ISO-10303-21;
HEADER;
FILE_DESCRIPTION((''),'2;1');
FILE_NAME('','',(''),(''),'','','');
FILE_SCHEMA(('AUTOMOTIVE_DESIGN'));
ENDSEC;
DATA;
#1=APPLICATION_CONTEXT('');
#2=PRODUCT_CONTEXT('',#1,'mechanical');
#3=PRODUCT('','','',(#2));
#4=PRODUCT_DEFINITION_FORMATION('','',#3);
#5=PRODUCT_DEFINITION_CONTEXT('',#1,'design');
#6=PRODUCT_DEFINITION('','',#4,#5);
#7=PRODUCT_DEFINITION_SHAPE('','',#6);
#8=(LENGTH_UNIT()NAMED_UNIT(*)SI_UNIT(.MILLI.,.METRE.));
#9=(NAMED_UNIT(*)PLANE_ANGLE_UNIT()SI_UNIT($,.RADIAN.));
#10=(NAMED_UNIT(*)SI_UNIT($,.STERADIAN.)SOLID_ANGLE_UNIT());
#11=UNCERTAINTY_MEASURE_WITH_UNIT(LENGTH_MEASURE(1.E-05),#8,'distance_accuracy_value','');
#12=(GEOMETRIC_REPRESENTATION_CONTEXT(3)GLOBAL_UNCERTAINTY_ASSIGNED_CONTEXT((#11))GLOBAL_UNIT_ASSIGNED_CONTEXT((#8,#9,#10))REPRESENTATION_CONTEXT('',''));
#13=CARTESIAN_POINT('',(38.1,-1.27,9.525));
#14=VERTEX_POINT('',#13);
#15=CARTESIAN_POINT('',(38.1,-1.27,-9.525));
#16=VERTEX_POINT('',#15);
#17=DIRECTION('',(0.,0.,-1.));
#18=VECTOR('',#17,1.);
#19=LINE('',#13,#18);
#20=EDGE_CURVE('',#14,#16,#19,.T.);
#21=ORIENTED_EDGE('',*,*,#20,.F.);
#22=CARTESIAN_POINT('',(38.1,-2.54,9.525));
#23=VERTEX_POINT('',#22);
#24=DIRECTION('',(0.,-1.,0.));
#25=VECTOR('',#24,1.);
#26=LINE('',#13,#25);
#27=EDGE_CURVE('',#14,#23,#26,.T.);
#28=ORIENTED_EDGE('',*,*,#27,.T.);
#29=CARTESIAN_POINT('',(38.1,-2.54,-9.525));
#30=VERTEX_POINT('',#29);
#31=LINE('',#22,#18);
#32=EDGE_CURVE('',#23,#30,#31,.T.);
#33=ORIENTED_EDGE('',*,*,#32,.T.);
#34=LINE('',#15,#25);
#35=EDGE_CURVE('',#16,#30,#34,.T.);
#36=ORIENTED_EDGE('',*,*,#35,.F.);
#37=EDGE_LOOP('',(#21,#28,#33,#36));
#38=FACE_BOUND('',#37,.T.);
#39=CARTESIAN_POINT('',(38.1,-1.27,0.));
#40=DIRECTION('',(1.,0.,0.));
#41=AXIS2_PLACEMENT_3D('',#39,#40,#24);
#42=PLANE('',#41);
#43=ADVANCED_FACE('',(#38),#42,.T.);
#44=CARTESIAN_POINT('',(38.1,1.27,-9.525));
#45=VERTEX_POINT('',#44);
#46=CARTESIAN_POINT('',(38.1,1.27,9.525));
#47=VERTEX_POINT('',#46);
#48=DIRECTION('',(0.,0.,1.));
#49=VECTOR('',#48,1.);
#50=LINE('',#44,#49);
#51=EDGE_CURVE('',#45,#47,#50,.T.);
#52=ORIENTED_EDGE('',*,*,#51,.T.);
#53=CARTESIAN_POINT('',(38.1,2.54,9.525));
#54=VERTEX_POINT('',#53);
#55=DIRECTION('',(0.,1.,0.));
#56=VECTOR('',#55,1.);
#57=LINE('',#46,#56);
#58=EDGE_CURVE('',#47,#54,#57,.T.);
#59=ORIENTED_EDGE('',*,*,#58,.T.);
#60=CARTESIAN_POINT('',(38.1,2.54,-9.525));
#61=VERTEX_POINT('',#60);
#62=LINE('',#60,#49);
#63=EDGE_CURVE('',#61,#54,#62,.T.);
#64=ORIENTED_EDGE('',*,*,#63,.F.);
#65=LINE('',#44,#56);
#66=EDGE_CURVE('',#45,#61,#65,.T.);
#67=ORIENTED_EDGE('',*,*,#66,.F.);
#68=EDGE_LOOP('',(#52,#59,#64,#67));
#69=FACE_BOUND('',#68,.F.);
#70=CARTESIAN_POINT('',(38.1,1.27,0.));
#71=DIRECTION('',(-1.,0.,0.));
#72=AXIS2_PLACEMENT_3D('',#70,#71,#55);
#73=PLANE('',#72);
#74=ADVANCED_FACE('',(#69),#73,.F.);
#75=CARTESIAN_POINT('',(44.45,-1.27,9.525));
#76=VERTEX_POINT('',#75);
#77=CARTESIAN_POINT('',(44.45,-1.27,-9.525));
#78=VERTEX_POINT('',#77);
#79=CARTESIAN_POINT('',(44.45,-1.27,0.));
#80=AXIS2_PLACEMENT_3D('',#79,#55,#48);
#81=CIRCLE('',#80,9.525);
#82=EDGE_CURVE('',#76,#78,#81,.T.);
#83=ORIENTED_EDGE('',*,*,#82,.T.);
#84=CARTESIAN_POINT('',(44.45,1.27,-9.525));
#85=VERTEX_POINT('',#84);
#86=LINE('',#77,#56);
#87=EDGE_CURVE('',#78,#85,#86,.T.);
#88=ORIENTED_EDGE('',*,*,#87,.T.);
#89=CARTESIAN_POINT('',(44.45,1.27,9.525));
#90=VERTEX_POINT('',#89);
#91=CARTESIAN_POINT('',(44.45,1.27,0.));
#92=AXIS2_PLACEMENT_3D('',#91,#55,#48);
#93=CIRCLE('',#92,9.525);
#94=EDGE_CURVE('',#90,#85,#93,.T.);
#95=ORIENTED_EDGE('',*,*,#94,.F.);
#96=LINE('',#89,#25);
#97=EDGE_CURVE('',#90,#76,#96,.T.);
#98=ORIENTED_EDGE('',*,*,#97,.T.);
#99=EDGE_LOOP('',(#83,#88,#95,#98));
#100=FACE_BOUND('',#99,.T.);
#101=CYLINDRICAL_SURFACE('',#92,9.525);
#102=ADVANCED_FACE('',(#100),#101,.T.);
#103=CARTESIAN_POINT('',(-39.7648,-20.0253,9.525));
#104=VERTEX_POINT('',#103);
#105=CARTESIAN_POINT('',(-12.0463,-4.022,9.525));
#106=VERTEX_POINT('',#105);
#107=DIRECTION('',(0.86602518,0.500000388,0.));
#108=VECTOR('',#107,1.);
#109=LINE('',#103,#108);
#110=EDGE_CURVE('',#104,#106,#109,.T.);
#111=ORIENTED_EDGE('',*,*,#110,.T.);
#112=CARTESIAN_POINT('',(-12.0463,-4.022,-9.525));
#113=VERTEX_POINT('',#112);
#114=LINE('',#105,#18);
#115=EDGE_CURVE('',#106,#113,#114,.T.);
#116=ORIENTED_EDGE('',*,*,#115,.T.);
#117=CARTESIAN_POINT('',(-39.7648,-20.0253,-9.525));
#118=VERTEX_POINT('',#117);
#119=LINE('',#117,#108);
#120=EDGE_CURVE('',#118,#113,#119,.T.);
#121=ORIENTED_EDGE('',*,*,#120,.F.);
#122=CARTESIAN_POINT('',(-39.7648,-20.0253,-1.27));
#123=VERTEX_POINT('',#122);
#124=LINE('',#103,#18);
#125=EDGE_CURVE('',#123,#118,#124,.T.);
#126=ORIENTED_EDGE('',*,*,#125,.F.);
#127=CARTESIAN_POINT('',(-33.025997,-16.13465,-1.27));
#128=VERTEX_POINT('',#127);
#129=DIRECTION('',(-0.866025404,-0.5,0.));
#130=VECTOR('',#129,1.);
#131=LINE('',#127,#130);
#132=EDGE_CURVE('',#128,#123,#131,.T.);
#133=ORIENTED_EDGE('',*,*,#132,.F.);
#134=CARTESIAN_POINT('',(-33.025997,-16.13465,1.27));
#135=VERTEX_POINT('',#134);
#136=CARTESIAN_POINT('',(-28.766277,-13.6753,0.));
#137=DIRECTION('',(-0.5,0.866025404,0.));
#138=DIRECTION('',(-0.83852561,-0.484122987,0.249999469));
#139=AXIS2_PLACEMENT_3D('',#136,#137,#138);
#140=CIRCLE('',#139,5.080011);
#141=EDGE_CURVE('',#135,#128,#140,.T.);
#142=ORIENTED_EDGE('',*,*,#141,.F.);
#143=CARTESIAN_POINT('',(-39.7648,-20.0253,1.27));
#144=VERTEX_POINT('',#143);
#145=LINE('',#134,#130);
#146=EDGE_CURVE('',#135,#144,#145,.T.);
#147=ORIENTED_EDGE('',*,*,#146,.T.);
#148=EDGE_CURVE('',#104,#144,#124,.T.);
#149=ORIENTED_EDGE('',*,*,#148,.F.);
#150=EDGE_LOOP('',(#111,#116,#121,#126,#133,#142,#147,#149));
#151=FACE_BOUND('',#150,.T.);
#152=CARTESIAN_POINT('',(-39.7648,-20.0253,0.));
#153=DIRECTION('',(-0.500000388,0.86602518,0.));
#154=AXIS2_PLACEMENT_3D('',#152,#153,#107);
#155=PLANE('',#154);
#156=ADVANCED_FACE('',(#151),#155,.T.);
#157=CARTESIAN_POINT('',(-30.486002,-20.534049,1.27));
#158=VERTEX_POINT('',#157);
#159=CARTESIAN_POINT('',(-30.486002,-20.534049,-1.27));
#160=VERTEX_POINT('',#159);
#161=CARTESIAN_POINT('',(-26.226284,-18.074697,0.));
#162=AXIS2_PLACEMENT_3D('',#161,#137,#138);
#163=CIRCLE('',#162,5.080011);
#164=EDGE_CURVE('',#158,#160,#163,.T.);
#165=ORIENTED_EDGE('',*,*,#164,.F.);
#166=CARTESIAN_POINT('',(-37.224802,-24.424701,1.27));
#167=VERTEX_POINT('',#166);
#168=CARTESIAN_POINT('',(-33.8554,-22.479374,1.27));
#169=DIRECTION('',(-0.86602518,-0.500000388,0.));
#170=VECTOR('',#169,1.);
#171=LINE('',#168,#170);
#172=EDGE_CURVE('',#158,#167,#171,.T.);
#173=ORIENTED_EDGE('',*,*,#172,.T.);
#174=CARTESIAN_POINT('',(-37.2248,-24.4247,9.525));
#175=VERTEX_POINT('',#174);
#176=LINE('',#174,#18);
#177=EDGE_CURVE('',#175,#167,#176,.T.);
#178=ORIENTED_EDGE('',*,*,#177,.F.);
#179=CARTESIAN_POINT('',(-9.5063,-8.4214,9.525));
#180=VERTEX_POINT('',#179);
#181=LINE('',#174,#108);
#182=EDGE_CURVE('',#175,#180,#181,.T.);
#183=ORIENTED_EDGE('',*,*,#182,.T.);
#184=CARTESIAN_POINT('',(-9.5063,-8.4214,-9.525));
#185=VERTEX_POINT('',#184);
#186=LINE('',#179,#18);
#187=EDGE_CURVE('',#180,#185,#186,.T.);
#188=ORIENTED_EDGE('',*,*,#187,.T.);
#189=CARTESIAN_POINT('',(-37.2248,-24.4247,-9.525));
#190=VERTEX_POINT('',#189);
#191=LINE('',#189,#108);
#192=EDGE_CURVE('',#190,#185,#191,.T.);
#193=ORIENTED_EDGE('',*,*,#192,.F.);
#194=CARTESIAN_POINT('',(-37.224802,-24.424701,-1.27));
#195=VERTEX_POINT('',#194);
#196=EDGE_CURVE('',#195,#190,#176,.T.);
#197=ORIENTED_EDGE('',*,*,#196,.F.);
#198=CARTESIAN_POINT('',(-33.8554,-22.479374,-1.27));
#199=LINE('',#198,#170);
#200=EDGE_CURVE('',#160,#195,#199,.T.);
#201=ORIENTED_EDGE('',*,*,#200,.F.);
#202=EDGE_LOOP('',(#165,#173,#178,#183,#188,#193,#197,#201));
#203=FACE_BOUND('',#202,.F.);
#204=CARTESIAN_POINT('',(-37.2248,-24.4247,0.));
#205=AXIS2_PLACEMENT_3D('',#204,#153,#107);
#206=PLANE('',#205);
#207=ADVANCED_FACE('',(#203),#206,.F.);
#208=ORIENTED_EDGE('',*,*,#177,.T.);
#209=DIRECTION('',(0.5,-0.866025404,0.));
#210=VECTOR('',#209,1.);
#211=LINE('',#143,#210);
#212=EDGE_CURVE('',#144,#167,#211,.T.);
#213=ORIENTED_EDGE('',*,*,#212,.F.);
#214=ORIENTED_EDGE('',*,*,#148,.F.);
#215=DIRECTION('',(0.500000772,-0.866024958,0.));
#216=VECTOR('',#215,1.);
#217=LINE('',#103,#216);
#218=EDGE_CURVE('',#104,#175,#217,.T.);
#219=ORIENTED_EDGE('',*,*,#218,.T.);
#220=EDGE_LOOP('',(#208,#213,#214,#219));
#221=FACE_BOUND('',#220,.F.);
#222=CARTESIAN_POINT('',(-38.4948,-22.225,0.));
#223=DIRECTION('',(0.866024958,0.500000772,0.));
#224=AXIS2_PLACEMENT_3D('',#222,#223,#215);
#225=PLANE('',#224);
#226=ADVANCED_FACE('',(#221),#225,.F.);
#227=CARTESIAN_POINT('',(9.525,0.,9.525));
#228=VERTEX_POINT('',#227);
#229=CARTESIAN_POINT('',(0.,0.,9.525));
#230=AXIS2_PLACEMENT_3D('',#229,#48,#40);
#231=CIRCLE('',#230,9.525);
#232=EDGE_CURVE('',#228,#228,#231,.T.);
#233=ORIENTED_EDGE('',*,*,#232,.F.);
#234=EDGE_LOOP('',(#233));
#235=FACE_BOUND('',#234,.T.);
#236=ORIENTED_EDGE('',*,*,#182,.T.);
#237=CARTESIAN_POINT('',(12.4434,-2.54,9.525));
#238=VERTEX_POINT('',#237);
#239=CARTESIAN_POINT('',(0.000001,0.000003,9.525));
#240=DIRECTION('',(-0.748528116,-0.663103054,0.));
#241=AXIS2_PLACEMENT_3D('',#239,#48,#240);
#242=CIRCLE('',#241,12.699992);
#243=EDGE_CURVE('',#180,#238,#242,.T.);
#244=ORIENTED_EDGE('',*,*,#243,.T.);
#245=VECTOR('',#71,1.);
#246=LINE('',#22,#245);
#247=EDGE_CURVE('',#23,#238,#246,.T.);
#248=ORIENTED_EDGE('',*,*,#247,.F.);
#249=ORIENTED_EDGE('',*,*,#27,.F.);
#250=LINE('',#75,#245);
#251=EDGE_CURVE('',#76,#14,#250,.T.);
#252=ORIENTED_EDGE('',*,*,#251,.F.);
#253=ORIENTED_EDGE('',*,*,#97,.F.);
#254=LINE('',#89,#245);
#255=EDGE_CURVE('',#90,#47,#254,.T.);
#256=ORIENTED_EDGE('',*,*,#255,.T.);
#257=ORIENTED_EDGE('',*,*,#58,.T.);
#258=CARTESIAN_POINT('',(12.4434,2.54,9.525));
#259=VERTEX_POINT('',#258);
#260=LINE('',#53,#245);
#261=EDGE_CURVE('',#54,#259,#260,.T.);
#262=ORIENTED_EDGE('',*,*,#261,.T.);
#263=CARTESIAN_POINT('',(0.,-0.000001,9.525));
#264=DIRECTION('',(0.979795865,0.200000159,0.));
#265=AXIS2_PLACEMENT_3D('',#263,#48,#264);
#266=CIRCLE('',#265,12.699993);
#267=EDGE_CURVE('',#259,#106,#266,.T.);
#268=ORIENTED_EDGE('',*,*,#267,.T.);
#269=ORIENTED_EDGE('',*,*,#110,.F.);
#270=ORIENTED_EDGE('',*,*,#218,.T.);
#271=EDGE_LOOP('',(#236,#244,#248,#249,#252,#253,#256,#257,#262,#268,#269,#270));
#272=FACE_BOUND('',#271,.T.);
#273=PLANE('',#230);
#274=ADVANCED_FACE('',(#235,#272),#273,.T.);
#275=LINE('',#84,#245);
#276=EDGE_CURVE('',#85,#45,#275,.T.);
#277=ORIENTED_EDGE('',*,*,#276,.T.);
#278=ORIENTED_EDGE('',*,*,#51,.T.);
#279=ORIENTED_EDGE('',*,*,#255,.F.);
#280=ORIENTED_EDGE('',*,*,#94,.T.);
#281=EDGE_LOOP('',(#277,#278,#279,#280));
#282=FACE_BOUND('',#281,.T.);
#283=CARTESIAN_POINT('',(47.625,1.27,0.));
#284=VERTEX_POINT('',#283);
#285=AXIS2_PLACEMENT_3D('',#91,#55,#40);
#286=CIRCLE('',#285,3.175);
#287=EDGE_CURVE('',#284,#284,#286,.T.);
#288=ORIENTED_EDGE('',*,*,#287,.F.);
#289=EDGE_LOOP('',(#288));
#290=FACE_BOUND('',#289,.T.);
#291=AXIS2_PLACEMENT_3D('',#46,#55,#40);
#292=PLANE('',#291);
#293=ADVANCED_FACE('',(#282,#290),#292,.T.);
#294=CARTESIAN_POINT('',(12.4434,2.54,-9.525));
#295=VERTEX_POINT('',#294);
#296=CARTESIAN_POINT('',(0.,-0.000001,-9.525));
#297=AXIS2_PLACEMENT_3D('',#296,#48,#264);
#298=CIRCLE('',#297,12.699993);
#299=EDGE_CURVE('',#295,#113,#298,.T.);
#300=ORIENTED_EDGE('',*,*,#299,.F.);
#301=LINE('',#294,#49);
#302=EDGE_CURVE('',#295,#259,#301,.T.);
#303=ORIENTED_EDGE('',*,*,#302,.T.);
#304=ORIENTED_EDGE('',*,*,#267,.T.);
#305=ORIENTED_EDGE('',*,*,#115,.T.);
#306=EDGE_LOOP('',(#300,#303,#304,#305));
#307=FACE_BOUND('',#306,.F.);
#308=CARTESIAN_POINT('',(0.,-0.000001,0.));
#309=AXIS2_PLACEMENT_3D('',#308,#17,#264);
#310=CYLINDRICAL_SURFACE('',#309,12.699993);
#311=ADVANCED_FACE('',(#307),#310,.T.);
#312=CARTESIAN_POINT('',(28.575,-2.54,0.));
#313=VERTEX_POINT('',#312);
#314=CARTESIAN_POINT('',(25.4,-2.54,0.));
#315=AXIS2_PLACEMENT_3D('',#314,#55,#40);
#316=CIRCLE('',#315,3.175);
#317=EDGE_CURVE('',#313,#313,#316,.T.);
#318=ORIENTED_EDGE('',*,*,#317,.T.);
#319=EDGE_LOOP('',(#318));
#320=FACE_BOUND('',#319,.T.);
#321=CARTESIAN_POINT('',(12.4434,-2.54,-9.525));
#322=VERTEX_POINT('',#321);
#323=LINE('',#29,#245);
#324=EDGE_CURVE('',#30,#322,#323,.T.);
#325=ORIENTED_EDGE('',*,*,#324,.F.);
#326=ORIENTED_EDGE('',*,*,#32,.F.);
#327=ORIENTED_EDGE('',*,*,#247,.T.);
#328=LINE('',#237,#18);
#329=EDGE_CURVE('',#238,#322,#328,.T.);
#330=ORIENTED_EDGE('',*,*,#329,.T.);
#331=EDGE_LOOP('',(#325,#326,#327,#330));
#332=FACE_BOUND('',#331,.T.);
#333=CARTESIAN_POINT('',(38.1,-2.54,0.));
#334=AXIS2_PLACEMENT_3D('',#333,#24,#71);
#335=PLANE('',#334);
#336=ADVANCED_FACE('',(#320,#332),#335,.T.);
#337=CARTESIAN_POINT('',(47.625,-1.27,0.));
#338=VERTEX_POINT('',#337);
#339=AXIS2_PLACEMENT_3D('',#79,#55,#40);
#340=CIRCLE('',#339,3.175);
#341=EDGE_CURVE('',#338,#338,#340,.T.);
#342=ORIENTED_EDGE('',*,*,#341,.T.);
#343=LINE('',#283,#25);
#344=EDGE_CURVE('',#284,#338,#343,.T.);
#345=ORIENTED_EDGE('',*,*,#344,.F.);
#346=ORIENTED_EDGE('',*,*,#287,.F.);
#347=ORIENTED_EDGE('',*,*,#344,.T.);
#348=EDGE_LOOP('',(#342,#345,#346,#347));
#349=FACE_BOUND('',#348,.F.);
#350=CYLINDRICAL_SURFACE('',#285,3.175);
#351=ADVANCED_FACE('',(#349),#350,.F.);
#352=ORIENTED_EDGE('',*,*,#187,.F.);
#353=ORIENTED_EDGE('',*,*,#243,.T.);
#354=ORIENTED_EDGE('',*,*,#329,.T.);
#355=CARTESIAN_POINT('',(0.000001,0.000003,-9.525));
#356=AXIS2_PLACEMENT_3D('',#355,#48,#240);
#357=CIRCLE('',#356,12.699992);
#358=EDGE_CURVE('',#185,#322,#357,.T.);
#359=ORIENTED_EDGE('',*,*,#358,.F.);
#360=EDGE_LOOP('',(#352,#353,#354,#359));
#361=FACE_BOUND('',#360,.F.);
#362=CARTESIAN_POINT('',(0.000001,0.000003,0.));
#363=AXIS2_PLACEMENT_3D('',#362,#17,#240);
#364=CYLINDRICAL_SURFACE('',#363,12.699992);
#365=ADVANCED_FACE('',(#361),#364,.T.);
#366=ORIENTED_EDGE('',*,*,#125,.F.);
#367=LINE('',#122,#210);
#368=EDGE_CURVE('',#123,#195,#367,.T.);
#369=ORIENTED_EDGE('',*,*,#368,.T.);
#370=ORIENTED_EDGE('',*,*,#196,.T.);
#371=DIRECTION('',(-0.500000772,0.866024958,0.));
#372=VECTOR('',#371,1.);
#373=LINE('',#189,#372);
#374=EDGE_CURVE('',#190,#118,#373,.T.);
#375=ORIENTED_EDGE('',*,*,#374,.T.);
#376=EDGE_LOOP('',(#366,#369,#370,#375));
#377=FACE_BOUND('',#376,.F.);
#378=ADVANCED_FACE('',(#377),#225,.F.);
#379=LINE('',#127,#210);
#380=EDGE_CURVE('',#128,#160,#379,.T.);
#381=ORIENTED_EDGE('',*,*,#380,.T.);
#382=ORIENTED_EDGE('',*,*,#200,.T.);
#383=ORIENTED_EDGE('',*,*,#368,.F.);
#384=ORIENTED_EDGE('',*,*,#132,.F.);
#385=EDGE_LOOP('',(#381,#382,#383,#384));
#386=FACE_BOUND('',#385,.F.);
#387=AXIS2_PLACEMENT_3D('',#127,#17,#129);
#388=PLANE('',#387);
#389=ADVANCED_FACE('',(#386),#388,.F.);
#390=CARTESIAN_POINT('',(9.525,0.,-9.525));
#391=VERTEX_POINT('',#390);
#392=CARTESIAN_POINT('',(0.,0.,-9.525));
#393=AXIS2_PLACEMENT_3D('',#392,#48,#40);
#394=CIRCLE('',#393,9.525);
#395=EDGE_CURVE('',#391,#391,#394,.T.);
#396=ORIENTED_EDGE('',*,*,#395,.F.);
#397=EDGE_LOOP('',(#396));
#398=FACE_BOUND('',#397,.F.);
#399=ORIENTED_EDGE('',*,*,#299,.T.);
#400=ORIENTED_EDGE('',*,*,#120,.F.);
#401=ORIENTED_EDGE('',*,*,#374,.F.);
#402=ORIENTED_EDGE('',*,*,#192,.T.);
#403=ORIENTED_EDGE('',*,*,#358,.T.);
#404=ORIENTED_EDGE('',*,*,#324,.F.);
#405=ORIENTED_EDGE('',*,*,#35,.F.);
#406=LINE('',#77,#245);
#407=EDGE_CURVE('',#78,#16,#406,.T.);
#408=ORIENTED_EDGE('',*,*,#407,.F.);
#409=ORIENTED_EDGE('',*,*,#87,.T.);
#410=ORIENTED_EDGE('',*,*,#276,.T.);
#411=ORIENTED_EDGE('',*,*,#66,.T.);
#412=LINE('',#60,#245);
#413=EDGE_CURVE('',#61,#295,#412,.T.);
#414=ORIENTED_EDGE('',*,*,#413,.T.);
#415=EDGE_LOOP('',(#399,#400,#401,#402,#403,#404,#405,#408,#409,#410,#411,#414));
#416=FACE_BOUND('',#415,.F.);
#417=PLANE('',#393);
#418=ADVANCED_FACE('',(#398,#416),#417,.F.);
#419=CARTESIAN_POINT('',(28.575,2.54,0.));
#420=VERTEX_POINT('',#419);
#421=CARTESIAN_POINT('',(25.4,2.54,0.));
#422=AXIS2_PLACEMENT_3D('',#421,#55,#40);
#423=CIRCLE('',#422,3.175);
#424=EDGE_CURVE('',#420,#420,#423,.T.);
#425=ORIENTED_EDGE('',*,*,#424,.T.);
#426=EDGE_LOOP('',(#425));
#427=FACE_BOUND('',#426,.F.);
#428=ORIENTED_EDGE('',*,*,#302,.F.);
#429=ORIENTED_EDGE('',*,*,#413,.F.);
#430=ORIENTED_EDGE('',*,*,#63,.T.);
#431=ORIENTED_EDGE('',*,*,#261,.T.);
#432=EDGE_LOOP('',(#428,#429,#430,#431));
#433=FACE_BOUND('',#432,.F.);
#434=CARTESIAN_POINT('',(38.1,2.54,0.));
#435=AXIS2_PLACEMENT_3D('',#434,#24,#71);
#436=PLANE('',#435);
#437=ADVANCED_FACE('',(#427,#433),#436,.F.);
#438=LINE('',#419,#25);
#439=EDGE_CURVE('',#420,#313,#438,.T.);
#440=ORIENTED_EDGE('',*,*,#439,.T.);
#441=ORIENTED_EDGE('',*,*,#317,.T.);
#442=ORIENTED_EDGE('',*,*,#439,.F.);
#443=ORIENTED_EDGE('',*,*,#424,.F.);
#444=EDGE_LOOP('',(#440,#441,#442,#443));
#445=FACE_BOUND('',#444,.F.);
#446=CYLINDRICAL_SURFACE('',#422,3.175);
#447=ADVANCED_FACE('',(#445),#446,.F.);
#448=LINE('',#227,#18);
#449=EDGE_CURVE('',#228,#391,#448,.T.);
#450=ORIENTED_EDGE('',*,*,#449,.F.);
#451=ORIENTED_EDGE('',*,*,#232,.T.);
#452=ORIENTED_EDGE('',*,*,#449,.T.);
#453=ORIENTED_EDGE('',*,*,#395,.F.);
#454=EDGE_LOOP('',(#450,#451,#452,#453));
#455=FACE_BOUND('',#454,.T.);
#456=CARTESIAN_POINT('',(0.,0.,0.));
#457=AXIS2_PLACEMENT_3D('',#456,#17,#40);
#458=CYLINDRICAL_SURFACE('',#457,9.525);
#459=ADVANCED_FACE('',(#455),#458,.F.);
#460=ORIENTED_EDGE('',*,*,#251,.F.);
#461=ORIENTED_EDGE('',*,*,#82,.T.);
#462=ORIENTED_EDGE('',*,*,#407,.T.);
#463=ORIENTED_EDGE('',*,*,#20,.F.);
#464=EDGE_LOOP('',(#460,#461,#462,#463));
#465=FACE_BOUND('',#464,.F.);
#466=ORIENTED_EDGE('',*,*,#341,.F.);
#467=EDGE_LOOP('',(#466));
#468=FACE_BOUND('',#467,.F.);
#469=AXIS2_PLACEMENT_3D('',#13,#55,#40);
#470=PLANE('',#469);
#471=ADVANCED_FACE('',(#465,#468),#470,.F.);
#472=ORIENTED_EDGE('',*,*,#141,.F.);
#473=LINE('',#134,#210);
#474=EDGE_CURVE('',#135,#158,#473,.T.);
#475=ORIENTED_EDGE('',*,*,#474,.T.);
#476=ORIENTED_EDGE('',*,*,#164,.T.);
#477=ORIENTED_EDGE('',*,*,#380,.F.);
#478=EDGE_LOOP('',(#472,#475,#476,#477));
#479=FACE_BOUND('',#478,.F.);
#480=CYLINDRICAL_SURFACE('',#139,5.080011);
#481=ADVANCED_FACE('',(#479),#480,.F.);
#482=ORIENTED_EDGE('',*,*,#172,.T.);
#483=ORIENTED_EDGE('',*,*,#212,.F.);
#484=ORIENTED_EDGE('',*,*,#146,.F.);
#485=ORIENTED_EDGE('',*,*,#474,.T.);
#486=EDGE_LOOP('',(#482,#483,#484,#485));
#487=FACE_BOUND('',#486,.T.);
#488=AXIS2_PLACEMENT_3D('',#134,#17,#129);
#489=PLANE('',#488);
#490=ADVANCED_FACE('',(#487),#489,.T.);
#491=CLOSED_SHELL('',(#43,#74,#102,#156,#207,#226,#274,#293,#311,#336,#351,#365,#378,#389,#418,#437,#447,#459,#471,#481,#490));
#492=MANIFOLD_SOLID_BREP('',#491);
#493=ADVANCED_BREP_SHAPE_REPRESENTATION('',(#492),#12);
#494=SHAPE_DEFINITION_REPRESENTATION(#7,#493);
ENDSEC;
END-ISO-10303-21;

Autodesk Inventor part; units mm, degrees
ref_plane "YZ Plane" through (0, 0, 0) normal (1, 0, 0) x (0, 1, 0)
ref_plane "XZ Plane" through (0, 0, 0) normal (0, 1, 0) x (-1, 0, 0)
ref_plane "XY Plane" through (0, 0, 0) normal (0, 0, 1) x (1, 0, 0)
sketch "Sketch1" plane through (0, 0, 0) normal (0, 0, 1) x (1, 0, 0)
  circle A0 centre (0, 0) radius 9.525
  line L0 (38.1, 1.27) -> (38.1, 2.54)
  line L1 (38.1, -1.27) -> (38.1, -2.54)
  line L2 (38.1, -2.54) -> (12.4434, -2.54)
  line L3 (38.1, 2.54) -> (12.4434, 2.54)
  line L4 (38.1, 0) -> (44.45, 0)
  line L5 (44.45, 0) -> (44.45, 1.27)
  line L6 (44.45, 1.27) -> (38.1, 1.27)
  line L7 (44.45, -1.27) -> (44.45, 0)
  line L8 (44.45, -1.27) -> (38.1, -1.27)
  line L9 (-38.4948, -22.225) -> (-37.2248, -24.4247)
  line L10 (-37.2248, -24.4247) -> (-9.5063, -8.4214)
  line L11 (-38.4948, -22.225) -> (-39.7648, -20.0253)
  line L12 (-39.7648, -20.0253) -> (-12.0463, -4.022)
  arc A1 (12.4434, 2.54) -> (-12.0463, -4.022) centre (0, 0) ccw
  arc A2 (-9.5063, -8.4214) -> (12.4434, -2.54) centre (0, 0) ccw
  dimension "d1" = 19.05
  dimension "d5" = 38.1
  dimension "d6" = 2.54
  dimension "d7" = 2.54
  dimension "d8" = 6.35
  dimension "d9" = 1.27
  dimension "d11" = 44.45
  dimension "d12" = 2.54
  dimension "d13" = 2.54
  dimension "d36" = 12.7
extrude "Extrusion1" add sketch "Sketch1" along normal mid plane 19.05
sketch "Sketch4" plane through (38.1, 1.27, 9.525) normal (0, 1, 0) x (1, 0, 0)
  arc A0 (6.35, 0) -> (6.35, 19.05) centre (6.35, 9.525) ccw
  line L0 (6.35, 19.05) -> (6.35, 0)
  line L1 (0, 0) -> (6.35, 0) projected
  point P0 (-38.1, 9.525)
  dimension "d16" = 9.525
extrude "Extrusion2" add sketch "Sketch4" against normal blind 2.54
sketch "Sketch5" plane through (38.1, 1.27, 9.525) normal (0, 1, 0) x (1, 0, 0)
  arc A0 (6.35, 0) -> (6.35, 19.05) centre (6.35, 9.525) ccw projected
  circle A1 centre (6.35, 9.525) radius 3.175
  circle A2 centre (-11.5739, 9.525) radius 3.175
  point P0 (-38.1, 9.525)
  dimension "d19" = 6.35
extrude "Extrusion3" cut sketch "Sketch5" against normal through all contours A1
sketch "Sketch6" plane through (12.4434, 2.54, 9.525) normal (0, 1, 0) x (1, 0, 0)
  circle A0 centre (12.9566, 9.525) radius 3.175
  line L0 (25.6566, 19.05) -> (0, 19.05) projected
  line L1 (25.6566, 19.05) -> (25.6566, 0) projected
  point P0 (-12.4434, 9.525)
  dimension "d23" = 6.35
  dimension "d24" = 9.525
  dimension "d25" = 12.7
extrude "Extrusion4" cut sketch "Sketch6" against normal through all
sketch "Sketch7" plane through (-39.7648, -20.0253, 9.525) normal (-0.5, 0.866, 0) x (0.866, 0.5, 0)
  arc A0 (7.7813, 8.255) -> (7.7813, 10.795) centre (12.7, 9.525) ccw
  line L0 (0, 0) -> (0, 19.05) projected
  line L1 (0, 19.05) -> (32.0066, 19.05) projected
  line L2 (7.7813, 10.795) -> (0, 10.795)
  line L3 (7.7813, 8.255) -> (0, 8.255)
  line L4 (0, 10.795) -> (0, 8.255)
  point P0 (44.45, 9.525)
  dimension "d28" = 10.16
  dimension "d29" = 12.7
  dimension "d33" = 9.525
extrude "Extrusion5" cut sketch "Sketch7" against normal through all
properties part number "HW 8 Part 4"
